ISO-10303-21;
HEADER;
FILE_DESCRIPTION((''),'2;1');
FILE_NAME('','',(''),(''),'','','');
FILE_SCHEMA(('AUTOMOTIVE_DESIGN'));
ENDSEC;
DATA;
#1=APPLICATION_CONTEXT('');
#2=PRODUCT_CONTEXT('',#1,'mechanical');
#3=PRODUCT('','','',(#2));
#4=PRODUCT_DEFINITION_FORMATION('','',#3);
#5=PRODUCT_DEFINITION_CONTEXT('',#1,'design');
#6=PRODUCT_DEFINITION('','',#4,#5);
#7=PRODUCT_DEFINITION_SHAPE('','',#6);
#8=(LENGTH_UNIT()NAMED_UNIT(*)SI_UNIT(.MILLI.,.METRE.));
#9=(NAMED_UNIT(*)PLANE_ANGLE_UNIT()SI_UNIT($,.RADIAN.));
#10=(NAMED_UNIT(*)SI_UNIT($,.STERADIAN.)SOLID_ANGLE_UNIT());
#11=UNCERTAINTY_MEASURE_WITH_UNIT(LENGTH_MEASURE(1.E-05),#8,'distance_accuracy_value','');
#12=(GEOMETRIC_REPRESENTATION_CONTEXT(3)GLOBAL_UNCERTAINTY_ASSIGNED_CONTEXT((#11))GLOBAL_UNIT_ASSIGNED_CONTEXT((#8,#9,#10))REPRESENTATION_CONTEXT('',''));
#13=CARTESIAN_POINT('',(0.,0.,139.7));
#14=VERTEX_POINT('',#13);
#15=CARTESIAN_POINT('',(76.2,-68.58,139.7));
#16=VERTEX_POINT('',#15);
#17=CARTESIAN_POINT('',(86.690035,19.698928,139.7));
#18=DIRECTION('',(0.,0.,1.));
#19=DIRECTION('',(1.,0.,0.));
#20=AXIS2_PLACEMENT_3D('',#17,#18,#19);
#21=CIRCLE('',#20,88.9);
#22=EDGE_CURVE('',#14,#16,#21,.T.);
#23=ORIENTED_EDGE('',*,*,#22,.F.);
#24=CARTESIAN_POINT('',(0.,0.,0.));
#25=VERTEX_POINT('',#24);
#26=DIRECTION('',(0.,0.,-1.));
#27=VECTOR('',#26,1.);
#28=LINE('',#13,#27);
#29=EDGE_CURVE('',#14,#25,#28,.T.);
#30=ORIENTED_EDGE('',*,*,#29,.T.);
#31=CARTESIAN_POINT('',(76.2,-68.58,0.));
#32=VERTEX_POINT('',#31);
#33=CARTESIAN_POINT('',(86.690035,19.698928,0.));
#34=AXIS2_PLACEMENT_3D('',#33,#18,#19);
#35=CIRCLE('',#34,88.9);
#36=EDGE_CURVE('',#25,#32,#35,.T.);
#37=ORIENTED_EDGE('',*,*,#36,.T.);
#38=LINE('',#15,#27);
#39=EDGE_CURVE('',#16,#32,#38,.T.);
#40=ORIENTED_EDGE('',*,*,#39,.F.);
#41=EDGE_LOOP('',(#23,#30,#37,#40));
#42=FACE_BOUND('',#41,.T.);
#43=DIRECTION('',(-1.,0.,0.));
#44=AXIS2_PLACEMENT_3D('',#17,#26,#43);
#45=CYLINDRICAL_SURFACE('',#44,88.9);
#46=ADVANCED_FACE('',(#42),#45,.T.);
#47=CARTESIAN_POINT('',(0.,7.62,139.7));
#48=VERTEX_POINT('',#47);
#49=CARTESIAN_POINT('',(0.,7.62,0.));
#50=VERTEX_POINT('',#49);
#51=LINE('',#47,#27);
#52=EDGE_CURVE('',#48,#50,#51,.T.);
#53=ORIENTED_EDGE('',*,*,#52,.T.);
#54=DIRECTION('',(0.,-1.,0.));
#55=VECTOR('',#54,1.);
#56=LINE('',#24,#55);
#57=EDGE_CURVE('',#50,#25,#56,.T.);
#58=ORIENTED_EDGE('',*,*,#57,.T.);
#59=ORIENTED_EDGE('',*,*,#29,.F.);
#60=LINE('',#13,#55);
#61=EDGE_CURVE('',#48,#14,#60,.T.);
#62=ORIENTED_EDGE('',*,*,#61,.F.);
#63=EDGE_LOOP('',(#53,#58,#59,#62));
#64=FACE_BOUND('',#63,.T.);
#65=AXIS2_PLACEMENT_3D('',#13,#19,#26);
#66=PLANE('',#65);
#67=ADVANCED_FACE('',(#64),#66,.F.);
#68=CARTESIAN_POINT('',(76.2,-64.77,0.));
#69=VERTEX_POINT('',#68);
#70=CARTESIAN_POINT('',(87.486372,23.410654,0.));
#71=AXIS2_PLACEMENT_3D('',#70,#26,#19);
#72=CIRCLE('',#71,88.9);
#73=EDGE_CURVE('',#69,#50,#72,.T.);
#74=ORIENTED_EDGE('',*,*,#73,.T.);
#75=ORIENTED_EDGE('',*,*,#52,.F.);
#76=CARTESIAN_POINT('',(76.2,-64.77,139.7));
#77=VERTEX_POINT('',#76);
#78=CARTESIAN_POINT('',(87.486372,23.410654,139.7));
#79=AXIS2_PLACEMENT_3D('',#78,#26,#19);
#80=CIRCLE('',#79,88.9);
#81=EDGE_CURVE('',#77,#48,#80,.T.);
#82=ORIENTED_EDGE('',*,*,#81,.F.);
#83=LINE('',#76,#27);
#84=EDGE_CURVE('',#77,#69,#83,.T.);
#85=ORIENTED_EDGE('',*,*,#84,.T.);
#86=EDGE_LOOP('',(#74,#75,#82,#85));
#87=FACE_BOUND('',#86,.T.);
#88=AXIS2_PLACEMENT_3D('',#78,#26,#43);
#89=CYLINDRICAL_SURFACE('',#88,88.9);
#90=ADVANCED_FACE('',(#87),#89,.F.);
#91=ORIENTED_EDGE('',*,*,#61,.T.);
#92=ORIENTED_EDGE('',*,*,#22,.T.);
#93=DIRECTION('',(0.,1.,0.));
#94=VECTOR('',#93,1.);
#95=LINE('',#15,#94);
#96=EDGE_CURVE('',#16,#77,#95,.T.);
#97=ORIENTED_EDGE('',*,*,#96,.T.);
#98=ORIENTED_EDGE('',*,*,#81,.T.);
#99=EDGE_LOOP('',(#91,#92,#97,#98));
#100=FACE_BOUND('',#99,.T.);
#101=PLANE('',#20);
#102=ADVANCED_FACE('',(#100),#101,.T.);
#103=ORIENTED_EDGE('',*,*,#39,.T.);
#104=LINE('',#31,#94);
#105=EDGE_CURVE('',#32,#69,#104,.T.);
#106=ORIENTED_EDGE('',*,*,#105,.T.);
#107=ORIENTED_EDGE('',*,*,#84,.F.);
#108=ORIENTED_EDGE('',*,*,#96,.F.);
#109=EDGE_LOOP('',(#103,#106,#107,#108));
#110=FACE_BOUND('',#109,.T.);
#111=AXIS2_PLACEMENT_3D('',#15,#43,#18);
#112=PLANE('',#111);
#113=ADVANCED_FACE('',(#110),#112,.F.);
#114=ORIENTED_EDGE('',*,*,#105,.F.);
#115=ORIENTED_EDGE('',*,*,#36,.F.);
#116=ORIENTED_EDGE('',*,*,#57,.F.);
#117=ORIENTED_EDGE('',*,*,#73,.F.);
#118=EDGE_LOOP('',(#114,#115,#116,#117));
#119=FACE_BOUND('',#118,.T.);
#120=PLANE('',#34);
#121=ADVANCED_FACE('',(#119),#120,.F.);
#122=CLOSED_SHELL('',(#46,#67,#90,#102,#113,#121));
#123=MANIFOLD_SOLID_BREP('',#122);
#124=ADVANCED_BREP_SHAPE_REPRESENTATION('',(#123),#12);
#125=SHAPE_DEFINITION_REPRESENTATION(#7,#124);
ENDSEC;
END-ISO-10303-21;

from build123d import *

# Parameters (mm, degrees)
BOSS_EXTRUDE1_DEPTH = 139.7


with BuildPart() as part:
    # Sketch1 → Boss-Extrude1 (new body)
    with BuildSketch(Plane.XY):
        with BuildLine():
            Line((0, 0), (0, 7.62))
            ThreePointArc((0, 7.62), (26.256544534, -41.041795227), (76.2, -64.77))
            Line((76.2, -64.77), (76.2, -68.58))
            ThreePointArc((76.2, -68.58), (27.219070709, -46.379921434), (0, 0))
        make_face()
    extrude(amount=BOSS_EXTRUDE1_DEPTH)


solid = part.part
